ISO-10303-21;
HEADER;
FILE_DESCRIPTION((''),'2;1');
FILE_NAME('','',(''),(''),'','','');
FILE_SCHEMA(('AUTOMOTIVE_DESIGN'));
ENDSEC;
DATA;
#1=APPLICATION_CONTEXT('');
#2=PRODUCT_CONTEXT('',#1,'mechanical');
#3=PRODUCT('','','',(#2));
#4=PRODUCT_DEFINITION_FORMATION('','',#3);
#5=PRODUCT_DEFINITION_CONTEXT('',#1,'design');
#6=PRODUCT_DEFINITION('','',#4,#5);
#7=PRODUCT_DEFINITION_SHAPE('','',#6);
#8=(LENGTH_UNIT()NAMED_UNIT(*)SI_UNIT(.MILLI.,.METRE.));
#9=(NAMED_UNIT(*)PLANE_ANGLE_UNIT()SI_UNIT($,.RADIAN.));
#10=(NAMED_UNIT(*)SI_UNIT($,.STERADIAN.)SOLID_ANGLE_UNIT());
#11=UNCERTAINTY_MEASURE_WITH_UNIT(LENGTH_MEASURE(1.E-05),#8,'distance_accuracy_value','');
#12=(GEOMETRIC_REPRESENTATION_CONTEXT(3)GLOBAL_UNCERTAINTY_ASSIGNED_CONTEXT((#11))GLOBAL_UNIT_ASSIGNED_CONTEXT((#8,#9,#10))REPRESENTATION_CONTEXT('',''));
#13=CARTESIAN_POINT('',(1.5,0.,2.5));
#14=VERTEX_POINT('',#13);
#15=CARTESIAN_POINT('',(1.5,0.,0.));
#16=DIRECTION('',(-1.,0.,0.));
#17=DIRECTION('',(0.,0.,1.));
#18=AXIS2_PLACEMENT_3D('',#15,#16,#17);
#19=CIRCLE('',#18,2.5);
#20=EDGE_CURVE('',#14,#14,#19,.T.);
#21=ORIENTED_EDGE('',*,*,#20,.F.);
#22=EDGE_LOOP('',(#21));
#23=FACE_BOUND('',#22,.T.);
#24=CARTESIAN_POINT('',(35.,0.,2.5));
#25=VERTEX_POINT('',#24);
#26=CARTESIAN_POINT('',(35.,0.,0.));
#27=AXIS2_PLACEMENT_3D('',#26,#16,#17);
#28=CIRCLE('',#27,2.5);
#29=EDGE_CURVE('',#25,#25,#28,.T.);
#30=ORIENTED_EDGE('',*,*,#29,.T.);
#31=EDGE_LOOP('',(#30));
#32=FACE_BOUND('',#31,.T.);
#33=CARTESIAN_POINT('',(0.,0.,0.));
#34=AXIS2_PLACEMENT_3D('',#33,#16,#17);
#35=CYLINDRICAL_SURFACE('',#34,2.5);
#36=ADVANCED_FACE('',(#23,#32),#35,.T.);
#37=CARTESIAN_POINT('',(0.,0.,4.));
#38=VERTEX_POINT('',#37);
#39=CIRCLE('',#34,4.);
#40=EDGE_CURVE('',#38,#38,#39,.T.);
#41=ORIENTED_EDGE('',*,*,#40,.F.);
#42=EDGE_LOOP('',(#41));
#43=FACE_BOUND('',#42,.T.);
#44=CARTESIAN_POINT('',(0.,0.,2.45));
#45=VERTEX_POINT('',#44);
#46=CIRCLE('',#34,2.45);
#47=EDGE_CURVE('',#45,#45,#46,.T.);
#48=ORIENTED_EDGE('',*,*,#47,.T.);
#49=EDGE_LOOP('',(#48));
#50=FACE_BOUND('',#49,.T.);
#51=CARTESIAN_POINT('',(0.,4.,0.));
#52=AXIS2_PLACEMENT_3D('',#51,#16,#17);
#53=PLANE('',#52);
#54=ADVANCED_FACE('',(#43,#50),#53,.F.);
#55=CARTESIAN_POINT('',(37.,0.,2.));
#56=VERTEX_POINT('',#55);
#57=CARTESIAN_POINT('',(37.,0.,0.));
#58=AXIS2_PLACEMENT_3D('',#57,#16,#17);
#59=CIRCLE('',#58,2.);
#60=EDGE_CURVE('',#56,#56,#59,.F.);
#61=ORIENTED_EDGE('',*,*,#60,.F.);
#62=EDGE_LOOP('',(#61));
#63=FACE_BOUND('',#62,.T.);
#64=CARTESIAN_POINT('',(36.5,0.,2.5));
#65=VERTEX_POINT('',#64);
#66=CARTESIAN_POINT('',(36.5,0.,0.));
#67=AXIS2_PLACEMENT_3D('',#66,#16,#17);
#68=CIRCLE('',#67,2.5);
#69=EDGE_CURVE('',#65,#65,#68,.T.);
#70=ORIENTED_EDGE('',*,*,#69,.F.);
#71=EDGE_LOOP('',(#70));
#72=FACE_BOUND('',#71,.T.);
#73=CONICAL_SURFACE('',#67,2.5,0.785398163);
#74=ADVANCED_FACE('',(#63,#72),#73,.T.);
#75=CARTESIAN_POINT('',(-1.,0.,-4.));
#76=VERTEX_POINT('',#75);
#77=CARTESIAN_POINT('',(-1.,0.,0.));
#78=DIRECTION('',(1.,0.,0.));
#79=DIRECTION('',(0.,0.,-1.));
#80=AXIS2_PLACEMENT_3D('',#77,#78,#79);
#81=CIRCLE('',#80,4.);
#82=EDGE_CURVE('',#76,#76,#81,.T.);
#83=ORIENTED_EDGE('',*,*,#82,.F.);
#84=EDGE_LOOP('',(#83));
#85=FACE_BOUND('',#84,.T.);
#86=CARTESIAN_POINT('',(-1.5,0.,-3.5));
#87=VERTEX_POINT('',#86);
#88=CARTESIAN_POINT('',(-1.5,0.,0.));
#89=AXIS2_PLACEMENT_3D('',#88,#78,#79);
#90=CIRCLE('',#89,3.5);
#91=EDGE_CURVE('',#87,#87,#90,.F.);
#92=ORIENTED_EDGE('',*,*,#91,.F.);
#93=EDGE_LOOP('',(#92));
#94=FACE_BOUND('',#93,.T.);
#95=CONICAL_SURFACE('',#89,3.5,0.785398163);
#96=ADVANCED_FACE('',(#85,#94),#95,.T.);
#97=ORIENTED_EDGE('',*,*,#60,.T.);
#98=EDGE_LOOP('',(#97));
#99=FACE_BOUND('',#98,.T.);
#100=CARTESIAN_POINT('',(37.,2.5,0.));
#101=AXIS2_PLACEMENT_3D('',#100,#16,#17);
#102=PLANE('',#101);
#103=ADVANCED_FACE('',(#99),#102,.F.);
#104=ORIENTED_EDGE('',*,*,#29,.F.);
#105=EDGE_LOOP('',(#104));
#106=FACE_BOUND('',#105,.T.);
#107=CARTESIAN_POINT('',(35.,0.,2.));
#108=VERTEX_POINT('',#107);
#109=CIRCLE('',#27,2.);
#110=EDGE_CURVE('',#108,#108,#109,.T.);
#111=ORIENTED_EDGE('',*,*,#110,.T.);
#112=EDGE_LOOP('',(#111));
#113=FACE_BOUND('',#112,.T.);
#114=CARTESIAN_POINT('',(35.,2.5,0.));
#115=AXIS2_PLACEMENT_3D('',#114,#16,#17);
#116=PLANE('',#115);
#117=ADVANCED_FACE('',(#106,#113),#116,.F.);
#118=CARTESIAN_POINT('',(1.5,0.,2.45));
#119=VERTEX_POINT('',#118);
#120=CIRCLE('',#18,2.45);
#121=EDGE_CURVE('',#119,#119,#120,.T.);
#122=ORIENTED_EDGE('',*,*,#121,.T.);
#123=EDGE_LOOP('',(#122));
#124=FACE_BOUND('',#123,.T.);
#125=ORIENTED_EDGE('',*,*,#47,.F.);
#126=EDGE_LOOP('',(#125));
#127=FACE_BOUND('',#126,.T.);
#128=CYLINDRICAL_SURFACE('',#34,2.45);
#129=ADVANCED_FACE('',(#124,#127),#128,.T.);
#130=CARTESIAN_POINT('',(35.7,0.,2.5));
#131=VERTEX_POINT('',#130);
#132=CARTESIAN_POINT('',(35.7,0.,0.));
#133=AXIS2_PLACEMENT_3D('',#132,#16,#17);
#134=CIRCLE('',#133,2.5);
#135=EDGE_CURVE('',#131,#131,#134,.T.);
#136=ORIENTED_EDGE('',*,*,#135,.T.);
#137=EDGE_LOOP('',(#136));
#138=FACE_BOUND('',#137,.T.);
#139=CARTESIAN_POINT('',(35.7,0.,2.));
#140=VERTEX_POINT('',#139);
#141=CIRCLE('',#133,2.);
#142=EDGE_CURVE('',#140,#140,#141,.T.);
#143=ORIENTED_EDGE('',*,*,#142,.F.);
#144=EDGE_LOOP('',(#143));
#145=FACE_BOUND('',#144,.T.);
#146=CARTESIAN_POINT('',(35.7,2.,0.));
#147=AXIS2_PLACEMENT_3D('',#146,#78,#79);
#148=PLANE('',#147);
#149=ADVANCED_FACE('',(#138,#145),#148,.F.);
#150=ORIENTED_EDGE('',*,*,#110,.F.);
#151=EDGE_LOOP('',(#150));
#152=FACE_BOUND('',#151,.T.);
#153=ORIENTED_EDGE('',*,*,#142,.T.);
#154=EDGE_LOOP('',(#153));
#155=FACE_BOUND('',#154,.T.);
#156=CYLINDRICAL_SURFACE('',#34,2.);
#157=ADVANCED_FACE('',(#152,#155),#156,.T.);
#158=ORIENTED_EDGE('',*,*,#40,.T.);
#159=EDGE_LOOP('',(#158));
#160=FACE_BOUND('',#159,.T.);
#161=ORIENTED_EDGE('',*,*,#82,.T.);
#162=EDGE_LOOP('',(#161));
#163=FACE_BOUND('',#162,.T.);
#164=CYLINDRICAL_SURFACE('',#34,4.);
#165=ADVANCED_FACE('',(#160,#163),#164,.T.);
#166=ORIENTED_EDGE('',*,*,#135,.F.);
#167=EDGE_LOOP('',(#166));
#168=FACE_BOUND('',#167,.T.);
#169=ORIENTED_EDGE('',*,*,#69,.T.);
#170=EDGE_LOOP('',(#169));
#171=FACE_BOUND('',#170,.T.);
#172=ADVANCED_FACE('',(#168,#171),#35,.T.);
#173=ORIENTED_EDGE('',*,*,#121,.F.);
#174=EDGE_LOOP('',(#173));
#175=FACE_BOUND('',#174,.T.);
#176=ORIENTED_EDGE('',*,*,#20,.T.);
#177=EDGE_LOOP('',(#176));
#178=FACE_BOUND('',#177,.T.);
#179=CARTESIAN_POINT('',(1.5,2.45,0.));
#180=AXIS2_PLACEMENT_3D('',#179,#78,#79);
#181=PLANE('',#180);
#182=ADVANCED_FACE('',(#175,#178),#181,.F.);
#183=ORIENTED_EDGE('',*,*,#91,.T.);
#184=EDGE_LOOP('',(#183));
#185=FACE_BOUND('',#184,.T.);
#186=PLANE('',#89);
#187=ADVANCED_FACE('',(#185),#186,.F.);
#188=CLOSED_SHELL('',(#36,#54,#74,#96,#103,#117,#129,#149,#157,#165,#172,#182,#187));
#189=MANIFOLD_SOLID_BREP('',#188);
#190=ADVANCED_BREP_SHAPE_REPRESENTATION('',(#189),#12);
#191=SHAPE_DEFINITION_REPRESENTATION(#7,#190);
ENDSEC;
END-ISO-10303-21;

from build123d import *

# Parameters (mm, degrees)
CHAMFER1_SIZE = 0.5


with BuildPart() as part:
    # Sketch1 → Revolve1 (revolve)
    with BuildSketch(Plane.XY, mode=Mode.PRIVATE) as revolve1_sk:
        Polygon((-1.5, 0), (-1.5, 4), (0, 4), (0, 2.45), (1.5, 2.45), (1.5, 2.5), (35, 2.5), (35, 2), (35.7, 2), (35.7, 2.5), (37, 2.5), (37, 0), align=None)
    revolve(revolve1_sk.sketch.rotate(Axis((0, 0, 0), (1, 0, 0)), 90), axis=Axis((0, 0, 0), (1, 0, 0)))

    # Chamfer1
    chamfer1_edges = [part.edges().sort_by_distance(p)[0] for p in [
        (-1.5, 0, -4),
        (37, 0, -2.5),
    ]]
    chamfer(chamfer1_edges, length=CHAMFER1_SIZE)


solid = part.part
